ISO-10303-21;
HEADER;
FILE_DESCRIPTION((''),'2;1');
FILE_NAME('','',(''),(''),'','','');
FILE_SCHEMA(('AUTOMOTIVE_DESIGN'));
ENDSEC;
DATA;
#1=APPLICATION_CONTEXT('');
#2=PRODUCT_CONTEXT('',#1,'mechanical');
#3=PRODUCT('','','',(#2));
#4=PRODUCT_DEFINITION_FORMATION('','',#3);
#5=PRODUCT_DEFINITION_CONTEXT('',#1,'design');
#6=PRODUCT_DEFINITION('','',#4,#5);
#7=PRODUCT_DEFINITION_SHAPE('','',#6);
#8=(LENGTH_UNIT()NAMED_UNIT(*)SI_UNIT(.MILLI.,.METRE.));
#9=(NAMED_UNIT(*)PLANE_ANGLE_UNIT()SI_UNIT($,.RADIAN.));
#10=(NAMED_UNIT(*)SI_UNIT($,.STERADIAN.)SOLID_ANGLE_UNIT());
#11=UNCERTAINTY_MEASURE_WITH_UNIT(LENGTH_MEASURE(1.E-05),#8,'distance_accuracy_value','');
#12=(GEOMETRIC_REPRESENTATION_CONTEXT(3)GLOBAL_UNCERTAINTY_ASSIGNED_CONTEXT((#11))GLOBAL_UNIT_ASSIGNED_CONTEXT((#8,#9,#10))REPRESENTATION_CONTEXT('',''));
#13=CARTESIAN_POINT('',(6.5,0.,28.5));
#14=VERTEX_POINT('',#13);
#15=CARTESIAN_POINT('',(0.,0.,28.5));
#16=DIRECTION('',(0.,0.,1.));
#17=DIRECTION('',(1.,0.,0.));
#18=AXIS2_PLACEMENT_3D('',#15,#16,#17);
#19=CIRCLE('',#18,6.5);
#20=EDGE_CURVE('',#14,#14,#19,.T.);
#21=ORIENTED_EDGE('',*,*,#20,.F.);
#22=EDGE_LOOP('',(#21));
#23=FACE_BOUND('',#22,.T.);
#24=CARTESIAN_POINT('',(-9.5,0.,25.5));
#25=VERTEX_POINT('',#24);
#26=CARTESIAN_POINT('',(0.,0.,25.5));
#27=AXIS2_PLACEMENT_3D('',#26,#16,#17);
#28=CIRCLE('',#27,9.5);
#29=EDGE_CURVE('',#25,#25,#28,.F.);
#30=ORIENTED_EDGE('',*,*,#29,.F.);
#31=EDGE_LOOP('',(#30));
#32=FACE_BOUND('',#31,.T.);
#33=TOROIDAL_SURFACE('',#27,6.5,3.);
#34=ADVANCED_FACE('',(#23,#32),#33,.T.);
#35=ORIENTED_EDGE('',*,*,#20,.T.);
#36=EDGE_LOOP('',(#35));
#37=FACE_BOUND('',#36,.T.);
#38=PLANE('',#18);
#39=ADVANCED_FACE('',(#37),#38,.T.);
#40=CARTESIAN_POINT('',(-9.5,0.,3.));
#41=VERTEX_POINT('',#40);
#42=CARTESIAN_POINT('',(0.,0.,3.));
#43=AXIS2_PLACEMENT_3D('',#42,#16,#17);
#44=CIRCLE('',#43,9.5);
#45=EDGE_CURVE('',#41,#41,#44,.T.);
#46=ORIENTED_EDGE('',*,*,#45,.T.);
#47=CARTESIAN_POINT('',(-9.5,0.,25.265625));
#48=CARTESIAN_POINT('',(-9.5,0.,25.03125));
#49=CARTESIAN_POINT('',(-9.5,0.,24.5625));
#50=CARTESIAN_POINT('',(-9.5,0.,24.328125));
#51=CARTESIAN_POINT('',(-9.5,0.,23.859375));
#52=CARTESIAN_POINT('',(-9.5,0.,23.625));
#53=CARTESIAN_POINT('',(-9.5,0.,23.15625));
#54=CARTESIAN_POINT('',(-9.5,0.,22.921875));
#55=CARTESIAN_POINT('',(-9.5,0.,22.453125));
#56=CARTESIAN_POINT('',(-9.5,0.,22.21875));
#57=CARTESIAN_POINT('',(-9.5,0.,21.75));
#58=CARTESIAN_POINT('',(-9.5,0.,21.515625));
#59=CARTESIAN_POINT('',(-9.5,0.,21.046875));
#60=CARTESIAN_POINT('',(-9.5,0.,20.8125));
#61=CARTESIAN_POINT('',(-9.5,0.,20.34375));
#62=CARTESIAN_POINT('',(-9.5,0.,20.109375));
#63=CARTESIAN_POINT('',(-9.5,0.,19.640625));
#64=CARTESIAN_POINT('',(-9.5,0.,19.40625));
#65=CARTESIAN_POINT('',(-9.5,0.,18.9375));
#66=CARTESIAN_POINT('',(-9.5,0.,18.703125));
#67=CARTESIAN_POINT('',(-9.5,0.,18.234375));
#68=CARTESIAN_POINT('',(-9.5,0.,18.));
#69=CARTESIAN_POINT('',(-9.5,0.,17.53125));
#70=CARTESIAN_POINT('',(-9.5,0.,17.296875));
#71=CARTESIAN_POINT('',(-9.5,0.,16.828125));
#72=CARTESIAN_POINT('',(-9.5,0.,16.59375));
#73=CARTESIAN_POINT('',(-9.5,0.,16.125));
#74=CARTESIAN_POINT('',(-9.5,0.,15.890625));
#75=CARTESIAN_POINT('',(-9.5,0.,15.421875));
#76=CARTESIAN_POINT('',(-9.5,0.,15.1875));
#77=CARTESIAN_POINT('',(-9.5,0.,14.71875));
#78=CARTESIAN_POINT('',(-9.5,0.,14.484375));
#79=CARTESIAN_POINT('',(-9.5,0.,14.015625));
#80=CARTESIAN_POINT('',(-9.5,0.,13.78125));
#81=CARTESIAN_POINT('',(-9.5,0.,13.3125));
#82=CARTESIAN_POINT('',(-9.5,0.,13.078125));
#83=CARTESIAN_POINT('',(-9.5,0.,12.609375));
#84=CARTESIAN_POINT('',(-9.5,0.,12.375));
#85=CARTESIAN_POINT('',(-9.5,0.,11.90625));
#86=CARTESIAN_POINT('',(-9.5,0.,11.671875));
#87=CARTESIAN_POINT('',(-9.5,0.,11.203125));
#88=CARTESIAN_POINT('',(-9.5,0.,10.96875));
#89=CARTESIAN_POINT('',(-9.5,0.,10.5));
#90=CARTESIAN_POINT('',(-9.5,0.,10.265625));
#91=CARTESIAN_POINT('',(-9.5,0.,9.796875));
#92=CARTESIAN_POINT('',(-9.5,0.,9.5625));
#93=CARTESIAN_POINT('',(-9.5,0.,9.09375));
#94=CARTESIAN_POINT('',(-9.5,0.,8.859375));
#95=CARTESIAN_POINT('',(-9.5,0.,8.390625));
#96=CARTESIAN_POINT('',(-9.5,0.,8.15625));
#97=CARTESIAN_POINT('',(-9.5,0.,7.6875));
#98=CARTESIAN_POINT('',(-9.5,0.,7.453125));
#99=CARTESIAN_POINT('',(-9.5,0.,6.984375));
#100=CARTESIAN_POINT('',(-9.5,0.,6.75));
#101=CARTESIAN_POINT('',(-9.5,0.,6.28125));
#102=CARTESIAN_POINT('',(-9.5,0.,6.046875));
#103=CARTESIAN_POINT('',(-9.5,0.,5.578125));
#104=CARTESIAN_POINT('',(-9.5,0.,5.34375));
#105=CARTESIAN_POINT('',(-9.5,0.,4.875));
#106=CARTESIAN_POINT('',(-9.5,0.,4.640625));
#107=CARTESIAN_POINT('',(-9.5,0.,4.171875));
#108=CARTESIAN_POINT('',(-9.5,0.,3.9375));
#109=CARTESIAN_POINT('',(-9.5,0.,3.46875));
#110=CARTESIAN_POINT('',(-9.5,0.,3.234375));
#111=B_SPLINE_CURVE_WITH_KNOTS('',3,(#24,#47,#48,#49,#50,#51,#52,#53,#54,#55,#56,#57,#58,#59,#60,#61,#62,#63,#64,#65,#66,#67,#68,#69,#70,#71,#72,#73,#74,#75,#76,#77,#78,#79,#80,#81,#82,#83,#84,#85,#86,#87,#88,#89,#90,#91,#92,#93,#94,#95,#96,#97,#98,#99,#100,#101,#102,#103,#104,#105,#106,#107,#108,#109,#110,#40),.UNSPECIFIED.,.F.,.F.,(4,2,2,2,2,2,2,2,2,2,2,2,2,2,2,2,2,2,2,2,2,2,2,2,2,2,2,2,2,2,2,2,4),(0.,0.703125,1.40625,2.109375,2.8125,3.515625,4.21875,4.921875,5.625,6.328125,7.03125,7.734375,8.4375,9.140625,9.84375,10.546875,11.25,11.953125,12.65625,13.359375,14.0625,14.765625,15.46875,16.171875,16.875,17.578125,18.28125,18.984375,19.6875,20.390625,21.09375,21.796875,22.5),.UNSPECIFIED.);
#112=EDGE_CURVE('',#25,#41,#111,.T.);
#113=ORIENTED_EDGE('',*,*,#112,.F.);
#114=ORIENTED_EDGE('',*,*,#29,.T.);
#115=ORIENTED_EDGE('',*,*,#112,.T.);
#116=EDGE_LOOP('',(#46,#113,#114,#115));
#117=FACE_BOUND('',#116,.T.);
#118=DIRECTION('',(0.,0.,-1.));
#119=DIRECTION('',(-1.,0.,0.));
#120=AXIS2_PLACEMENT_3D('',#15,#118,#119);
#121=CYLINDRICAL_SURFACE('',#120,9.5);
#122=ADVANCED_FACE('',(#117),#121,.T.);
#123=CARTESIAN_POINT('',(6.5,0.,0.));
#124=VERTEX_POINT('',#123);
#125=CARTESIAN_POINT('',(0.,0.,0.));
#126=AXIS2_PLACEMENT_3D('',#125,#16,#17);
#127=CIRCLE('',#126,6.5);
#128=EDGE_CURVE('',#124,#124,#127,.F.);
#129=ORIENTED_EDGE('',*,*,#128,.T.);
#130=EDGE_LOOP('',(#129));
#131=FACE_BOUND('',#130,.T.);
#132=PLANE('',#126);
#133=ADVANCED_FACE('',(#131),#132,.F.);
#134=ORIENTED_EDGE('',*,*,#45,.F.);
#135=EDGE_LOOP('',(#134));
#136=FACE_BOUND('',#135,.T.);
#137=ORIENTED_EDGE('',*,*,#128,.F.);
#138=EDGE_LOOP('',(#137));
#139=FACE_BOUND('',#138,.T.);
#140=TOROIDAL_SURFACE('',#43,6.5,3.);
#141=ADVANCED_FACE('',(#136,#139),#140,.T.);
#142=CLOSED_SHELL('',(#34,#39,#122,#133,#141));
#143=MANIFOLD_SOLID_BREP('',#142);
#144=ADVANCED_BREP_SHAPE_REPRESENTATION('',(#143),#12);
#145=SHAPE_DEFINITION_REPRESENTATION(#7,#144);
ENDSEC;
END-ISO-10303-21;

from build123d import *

# Parameters (mm, degrees)
SKETCH2_R           = 9.5
BOSS_EXTRUDE1_DEPTH = 28.5
FILLET1_R           = 3


with BuildPart() as part:
    # Sketch2 → Boss-Extrude1 (new body)
    with BuildSketch(Plane.XY):
        with Locations(Location((0, 0, 0), (0, 0, 180))):
            Circle(SKETCH2_R)
    extrude(amount=BOSS_EXTRUDE1_DEPTH)

    # Fillet1
    fillet1_edges = [part.edges().sort_by_distance(p)[0] for p in [
        (9.5, 0, 0),
        (9.5, 0, 28.5),
    ]]
    fillet(fillet1_edges, radius=FILLET1_R)


solid = part.part
